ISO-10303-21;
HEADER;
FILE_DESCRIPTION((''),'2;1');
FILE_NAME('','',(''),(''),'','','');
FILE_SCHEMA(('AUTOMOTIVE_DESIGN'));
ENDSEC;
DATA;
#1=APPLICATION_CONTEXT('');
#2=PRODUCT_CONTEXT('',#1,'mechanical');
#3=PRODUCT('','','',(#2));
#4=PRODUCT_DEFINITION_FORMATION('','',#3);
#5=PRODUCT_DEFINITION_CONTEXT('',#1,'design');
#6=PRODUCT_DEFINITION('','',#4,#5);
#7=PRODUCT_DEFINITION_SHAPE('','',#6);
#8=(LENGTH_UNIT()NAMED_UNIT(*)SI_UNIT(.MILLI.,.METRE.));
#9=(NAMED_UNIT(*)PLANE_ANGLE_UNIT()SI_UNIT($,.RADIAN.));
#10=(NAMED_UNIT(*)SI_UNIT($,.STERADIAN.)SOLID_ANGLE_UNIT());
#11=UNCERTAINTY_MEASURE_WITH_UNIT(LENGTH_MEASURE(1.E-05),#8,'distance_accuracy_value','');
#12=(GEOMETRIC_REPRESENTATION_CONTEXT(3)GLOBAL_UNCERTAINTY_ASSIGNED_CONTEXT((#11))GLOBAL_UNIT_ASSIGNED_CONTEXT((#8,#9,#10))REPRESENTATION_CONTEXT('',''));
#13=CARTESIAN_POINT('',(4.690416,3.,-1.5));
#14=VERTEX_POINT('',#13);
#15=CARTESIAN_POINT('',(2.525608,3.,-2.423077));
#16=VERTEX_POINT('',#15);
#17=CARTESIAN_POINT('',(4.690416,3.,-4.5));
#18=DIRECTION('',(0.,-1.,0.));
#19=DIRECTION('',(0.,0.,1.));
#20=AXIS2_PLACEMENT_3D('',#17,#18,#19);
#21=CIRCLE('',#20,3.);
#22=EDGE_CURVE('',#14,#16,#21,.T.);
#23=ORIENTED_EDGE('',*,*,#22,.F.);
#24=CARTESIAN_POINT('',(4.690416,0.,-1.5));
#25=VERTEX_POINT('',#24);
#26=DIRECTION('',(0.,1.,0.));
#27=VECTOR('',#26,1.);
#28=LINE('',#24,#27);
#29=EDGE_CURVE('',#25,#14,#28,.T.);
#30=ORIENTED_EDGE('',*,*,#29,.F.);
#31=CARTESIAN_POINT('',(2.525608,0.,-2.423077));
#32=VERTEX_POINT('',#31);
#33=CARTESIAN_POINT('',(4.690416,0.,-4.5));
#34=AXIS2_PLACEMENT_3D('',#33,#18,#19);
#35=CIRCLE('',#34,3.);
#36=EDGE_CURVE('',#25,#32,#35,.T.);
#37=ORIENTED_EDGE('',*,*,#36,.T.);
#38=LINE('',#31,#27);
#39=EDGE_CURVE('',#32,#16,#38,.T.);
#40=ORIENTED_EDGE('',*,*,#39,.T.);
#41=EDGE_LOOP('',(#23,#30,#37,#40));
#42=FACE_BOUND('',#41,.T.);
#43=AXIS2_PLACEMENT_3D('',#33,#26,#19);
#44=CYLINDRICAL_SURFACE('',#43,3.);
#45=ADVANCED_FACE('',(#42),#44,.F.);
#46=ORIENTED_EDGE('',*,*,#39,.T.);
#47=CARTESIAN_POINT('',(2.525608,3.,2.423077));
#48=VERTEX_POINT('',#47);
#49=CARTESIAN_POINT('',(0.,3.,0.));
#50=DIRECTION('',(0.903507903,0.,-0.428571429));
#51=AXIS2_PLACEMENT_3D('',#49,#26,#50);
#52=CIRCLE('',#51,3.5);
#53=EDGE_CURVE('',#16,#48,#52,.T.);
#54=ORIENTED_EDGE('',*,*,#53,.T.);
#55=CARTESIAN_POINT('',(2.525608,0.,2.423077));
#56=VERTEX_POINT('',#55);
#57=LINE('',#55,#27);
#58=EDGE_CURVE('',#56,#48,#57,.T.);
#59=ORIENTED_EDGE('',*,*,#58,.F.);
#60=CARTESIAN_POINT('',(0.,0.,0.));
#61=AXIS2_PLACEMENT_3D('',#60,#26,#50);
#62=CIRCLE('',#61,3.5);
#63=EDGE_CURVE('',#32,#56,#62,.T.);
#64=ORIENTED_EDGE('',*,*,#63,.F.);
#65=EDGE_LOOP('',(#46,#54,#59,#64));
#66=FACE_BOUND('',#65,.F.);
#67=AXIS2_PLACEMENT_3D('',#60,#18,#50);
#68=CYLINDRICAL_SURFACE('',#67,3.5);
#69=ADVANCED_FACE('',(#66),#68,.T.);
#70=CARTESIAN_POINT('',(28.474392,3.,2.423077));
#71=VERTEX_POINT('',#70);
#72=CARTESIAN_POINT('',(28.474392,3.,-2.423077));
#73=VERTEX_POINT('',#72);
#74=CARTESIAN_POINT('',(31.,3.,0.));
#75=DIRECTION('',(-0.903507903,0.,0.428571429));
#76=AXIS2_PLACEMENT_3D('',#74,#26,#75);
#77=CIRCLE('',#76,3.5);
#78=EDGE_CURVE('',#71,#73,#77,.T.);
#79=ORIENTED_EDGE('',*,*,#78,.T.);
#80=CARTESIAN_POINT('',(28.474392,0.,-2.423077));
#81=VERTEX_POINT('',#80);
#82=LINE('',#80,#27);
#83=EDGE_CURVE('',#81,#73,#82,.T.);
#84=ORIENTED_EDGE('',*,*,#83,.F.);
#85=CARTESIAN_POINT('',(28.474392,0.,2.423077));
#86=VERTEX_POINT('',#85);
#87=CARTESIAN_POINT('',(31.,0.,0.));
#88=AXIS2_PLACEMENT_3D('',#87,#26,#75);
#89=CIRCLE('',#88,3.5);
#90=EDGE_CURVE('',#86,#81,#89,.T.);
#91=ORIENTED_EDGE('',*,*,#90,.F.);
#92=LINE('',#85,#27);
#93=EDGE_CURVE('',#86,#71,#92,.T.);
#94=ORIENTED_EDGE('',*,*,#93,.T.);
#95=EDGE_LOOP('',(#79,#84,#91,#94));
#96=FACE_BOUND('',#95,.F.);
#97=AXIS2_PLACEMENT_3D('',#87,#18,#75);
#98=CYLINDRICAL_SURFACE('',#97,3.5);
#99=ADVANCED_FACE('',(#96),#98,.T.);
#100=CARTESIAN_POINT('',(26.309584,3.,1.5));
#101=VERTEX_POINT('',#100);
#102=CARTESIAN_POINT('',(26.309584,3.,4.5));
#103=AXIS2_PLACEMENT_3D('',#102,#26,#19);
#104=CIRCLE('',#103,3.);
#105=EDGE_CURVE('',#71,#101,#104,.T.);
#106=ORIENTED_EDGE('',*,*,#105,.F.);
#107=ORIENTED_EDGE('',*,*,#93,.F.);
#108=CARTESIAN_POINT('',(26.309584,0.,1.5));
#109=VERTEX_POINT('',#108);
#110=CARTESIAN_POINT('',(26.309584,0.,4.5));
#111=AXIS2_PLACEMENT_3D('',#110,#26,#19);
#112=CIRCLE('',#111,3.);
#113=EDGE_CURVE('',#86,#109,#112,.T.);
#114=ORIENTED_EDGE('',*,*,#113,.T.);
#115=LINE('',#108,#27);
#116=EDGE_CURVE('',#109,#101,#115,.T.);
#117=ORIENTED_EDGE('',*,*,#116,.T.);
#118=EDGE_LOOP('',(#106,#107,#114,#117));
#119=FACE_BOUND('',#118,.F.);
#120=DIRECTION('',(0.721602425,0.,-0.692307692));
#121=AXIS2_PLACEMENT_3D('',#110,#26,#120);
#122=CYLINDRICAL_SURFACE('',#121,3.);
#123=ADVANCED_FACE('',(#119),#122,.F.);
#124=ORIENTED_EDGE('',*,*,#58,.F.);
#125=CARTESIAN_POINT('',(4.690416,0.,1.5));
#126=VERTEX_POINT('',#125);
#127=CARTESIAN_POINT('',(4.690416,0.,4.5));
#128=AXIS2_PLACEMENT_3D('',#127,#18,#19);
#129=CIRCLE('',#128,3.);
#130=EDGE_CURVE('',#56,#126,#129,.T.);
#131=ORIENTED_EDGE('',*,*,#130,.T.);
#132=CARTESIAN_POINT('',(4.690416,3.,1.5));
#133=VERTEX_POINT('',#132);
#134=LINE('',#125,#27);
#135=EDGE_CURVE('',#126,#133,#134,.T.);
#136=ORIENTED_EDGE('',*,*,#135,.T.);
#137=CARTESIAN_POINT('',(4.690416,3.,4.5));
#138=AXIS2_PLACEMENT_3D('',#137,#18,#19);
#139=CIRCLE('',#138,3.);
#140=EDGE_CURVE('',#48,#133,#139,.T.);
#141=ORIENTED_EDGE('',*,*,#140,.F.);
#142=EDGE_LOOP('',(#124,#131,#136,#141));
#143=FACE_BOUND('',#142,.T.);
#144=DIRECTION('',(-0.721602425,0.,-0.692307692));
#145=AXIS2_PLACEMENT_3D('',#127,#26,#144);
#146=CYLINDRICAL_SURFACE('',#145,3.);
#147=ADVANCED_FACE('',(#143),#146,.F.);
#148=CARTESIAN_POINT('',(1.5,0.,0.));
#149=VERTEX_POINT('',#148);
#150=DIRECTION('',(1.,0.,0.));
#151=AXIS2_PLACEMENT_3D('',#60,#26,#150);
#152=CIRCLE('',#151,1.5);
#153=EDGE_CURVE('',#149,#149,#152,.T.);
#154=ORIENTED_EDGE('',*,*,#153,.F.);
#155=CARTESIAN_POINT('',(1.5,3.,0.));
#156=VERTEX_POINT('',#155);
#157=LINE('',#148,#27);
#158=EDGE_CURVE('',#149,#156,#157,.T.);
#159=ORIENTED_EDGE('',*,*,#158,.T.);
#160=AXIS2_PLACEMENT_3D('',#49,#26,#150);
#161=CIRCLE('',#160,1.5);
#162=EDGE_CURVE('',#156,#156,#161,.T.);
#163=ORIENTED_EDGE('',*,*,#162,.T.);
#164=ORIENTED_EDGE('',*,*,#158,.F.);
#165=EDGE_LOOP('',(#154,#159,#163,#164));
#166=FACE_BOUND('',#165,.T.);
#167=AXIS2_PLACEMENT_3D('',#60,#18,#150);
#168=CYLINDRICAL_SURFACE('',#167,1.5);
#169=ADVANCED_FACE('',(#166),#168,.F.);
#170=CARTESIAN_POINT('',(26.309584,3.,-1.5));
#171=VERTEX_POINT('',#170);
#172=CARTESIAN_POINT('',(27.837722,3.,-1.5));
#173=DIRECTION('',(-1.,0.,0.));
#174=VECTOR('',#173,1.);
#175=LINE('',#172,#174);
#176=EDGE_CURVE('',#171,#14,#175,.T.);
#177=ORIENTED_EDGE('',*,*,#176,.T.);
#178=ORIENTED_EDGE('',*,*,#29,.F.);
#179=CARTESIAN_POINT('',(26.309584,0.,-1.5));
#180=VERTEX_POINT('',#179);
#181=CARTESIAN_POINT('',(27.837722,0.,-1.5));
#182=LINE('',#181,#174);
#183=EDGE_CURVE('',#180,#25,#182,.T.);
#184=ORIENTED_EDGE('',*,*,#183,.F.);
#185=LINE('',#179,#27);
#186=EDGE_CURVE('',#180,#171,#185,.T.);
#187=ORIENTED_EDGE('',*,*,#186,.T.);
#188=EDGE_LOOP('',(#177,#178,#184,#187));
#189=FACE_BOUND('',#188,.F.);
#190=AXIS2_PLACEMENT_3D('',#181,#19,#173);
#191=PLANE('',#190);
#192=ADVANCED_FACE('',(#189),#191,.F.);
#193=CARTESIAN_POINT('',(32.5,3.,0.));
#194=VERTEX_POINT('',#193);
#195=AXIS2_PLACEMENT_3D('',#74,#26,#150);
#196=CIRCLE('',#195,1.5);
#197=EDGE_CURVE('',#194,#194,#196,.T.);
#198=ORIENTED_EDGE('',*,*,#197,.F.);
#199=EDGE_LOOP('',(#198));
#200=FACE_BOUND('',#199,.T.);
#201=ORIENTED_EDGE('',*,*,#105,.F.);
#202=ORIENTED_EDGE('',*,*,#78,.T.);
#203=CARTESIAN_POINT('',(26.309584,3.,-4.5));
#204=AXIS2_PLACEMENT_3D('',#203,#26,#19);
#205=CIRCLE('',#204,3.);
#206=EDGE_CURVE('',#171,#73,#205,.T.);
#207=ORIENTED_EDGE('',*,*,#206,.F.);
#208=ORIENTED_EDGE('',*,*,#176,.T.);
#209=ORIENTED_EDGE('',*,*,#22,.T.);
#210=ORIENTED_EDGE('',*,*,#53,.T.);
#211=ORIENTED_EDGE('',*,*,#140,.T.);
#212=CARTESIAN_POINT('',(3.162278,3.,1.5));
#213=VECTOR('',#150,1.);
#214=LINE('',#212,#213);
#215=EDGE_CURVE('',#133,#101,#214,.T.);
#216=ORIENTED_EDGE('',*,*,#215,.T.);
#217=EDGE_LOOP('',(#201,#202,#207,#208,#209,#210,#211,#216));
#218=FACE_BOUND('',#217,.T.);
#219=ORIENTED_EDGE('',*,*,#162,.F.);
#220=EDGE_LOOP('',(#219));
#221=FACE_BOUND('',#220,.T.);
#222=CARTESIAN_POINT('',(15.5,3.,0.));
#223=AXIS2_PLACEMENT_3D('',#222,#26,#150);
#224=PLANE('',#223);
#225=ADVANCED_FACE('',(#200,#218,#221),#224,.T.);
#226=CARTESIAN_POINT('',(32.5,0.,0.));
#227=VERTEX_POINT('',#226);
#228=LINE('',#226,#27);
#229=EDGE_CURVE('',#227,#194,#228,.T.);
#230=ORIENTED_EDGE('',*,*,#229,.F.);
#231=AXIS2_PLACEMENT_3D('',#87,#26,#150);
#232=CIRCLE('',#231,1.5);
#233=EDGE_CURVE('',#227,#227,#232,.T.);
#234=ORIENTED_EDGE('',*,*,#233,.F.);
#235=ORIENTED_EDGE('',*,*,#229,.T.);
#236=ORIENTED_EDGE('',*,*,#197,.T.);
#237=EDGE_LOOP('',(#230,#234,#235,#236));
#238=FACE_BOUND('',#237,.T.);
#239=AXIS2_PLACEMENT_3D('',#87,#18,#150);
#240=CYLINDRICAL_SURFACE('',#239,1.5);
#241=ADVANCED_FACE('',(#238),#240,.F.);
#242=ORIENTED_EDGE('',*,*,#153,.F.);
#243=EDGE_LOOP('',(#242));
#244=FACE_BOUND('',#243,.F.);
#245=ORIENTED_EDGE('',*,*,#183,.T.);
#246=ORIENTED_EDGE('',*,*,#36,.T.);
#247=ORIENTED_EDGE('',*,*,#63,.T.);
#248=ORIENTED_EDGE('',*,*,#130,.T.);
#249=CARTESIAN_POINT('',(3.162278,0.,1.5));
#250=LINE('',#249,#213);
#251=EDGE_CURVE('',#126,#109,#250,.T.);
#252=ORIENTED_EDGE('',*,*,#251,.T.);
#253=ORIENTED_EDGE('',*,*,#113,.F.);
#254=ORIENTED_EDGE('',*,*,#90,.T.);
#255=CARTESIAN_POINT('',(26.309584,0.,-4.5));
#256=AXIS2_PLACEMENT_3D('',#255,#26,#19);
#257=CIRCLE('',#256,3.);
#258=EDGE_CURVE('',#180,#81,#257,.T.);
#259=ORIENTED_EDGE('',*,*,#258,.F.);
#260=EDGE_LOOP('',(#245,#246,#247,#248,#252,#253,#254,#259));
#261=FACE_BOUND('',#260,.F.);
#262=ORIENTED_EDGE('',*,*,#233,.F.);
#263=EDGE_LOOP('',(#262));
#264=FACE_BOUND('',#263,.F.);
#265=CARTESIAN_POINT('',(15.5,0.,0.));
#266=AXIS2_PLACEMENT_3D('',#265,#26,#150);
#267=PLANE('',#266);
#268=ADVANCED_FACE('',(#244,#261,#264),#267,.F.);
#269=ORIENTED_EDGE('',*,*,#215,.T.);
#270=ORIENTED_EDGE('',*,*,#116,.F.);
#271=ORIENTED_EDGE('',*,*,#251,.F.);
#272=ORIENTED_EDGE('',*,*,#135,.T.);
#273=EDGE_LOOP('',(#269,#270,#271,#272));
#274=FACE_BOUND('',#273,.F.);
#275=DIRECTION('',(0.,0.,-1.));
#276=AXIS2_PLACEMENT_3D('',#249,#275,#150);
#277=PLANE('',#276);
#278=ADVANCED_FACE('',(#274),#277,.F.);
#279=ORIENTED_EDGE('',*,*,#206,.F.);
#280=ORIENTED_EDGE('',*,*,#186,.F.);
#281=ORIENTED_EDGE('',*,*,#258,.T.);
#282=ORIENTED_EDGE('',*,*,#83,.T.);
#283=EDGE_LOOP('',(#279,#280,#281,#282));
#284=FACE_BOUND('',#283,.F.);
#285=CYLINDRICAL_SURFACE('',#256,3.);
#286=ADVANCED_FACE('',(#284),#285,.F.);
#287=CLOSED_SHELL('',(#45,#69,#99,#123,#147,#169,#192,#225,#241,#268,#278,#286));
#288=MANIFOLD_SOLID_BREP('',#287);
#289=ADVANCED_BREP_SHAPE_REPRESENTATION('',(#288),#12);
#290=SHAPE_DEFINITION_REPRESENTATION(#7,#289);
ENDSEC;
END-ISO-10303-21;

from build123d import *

# Parameters (mm, degrees)
SKETCH1_R           = 1.5
BOSS_EXTRUDE1_DEPTH = 3
FILLET1_R           = 3


with BuildPart() as part:
    # Sketch1 → Boss-Extrude1 (new body)
    with BuildSketch(Plane(origin=(0, 0, 0), x_dir=(1, 0, 0), z_dir=(0, 1, 0))):
        with BuildLine():
            Line((27.83772234, 1.5), (3.16227766, 1.5))
            ThreePointArc((3.16227766, 1.5), (-3.5, 0), (3.16227766, -1.5))
            Line((3.16227766, -1.5), (27.83772234, -1.5))
            ThreePointArc((27.83772234, -1.5), (34.5, 0), (27.83772234, 1.5))
        make_face()
        Circle(SKETCH1_R, mode=Mode.SUBTRACT)
        with Locations((31, 0)):
            Circle(SKETCH1_R, mode=Mode.SUBTRACT)
    extrude(amount=BOSS_EXTRUDE1_DEPTH)

    # Fillet1
    fillet1_edges = [part.edges().sort_by_distance(p)[0] for p in [
        (27.83772234, 1.5, 1.5),
        (3.16227766, 1.5, 1.5),
        (3.16227766, 1.5, -1.5),
        (27.83772234, 1.5, -1.5),
    ]]
    fillet(fillet1_edges, radius=FILLET1_R)


solid = part.part
